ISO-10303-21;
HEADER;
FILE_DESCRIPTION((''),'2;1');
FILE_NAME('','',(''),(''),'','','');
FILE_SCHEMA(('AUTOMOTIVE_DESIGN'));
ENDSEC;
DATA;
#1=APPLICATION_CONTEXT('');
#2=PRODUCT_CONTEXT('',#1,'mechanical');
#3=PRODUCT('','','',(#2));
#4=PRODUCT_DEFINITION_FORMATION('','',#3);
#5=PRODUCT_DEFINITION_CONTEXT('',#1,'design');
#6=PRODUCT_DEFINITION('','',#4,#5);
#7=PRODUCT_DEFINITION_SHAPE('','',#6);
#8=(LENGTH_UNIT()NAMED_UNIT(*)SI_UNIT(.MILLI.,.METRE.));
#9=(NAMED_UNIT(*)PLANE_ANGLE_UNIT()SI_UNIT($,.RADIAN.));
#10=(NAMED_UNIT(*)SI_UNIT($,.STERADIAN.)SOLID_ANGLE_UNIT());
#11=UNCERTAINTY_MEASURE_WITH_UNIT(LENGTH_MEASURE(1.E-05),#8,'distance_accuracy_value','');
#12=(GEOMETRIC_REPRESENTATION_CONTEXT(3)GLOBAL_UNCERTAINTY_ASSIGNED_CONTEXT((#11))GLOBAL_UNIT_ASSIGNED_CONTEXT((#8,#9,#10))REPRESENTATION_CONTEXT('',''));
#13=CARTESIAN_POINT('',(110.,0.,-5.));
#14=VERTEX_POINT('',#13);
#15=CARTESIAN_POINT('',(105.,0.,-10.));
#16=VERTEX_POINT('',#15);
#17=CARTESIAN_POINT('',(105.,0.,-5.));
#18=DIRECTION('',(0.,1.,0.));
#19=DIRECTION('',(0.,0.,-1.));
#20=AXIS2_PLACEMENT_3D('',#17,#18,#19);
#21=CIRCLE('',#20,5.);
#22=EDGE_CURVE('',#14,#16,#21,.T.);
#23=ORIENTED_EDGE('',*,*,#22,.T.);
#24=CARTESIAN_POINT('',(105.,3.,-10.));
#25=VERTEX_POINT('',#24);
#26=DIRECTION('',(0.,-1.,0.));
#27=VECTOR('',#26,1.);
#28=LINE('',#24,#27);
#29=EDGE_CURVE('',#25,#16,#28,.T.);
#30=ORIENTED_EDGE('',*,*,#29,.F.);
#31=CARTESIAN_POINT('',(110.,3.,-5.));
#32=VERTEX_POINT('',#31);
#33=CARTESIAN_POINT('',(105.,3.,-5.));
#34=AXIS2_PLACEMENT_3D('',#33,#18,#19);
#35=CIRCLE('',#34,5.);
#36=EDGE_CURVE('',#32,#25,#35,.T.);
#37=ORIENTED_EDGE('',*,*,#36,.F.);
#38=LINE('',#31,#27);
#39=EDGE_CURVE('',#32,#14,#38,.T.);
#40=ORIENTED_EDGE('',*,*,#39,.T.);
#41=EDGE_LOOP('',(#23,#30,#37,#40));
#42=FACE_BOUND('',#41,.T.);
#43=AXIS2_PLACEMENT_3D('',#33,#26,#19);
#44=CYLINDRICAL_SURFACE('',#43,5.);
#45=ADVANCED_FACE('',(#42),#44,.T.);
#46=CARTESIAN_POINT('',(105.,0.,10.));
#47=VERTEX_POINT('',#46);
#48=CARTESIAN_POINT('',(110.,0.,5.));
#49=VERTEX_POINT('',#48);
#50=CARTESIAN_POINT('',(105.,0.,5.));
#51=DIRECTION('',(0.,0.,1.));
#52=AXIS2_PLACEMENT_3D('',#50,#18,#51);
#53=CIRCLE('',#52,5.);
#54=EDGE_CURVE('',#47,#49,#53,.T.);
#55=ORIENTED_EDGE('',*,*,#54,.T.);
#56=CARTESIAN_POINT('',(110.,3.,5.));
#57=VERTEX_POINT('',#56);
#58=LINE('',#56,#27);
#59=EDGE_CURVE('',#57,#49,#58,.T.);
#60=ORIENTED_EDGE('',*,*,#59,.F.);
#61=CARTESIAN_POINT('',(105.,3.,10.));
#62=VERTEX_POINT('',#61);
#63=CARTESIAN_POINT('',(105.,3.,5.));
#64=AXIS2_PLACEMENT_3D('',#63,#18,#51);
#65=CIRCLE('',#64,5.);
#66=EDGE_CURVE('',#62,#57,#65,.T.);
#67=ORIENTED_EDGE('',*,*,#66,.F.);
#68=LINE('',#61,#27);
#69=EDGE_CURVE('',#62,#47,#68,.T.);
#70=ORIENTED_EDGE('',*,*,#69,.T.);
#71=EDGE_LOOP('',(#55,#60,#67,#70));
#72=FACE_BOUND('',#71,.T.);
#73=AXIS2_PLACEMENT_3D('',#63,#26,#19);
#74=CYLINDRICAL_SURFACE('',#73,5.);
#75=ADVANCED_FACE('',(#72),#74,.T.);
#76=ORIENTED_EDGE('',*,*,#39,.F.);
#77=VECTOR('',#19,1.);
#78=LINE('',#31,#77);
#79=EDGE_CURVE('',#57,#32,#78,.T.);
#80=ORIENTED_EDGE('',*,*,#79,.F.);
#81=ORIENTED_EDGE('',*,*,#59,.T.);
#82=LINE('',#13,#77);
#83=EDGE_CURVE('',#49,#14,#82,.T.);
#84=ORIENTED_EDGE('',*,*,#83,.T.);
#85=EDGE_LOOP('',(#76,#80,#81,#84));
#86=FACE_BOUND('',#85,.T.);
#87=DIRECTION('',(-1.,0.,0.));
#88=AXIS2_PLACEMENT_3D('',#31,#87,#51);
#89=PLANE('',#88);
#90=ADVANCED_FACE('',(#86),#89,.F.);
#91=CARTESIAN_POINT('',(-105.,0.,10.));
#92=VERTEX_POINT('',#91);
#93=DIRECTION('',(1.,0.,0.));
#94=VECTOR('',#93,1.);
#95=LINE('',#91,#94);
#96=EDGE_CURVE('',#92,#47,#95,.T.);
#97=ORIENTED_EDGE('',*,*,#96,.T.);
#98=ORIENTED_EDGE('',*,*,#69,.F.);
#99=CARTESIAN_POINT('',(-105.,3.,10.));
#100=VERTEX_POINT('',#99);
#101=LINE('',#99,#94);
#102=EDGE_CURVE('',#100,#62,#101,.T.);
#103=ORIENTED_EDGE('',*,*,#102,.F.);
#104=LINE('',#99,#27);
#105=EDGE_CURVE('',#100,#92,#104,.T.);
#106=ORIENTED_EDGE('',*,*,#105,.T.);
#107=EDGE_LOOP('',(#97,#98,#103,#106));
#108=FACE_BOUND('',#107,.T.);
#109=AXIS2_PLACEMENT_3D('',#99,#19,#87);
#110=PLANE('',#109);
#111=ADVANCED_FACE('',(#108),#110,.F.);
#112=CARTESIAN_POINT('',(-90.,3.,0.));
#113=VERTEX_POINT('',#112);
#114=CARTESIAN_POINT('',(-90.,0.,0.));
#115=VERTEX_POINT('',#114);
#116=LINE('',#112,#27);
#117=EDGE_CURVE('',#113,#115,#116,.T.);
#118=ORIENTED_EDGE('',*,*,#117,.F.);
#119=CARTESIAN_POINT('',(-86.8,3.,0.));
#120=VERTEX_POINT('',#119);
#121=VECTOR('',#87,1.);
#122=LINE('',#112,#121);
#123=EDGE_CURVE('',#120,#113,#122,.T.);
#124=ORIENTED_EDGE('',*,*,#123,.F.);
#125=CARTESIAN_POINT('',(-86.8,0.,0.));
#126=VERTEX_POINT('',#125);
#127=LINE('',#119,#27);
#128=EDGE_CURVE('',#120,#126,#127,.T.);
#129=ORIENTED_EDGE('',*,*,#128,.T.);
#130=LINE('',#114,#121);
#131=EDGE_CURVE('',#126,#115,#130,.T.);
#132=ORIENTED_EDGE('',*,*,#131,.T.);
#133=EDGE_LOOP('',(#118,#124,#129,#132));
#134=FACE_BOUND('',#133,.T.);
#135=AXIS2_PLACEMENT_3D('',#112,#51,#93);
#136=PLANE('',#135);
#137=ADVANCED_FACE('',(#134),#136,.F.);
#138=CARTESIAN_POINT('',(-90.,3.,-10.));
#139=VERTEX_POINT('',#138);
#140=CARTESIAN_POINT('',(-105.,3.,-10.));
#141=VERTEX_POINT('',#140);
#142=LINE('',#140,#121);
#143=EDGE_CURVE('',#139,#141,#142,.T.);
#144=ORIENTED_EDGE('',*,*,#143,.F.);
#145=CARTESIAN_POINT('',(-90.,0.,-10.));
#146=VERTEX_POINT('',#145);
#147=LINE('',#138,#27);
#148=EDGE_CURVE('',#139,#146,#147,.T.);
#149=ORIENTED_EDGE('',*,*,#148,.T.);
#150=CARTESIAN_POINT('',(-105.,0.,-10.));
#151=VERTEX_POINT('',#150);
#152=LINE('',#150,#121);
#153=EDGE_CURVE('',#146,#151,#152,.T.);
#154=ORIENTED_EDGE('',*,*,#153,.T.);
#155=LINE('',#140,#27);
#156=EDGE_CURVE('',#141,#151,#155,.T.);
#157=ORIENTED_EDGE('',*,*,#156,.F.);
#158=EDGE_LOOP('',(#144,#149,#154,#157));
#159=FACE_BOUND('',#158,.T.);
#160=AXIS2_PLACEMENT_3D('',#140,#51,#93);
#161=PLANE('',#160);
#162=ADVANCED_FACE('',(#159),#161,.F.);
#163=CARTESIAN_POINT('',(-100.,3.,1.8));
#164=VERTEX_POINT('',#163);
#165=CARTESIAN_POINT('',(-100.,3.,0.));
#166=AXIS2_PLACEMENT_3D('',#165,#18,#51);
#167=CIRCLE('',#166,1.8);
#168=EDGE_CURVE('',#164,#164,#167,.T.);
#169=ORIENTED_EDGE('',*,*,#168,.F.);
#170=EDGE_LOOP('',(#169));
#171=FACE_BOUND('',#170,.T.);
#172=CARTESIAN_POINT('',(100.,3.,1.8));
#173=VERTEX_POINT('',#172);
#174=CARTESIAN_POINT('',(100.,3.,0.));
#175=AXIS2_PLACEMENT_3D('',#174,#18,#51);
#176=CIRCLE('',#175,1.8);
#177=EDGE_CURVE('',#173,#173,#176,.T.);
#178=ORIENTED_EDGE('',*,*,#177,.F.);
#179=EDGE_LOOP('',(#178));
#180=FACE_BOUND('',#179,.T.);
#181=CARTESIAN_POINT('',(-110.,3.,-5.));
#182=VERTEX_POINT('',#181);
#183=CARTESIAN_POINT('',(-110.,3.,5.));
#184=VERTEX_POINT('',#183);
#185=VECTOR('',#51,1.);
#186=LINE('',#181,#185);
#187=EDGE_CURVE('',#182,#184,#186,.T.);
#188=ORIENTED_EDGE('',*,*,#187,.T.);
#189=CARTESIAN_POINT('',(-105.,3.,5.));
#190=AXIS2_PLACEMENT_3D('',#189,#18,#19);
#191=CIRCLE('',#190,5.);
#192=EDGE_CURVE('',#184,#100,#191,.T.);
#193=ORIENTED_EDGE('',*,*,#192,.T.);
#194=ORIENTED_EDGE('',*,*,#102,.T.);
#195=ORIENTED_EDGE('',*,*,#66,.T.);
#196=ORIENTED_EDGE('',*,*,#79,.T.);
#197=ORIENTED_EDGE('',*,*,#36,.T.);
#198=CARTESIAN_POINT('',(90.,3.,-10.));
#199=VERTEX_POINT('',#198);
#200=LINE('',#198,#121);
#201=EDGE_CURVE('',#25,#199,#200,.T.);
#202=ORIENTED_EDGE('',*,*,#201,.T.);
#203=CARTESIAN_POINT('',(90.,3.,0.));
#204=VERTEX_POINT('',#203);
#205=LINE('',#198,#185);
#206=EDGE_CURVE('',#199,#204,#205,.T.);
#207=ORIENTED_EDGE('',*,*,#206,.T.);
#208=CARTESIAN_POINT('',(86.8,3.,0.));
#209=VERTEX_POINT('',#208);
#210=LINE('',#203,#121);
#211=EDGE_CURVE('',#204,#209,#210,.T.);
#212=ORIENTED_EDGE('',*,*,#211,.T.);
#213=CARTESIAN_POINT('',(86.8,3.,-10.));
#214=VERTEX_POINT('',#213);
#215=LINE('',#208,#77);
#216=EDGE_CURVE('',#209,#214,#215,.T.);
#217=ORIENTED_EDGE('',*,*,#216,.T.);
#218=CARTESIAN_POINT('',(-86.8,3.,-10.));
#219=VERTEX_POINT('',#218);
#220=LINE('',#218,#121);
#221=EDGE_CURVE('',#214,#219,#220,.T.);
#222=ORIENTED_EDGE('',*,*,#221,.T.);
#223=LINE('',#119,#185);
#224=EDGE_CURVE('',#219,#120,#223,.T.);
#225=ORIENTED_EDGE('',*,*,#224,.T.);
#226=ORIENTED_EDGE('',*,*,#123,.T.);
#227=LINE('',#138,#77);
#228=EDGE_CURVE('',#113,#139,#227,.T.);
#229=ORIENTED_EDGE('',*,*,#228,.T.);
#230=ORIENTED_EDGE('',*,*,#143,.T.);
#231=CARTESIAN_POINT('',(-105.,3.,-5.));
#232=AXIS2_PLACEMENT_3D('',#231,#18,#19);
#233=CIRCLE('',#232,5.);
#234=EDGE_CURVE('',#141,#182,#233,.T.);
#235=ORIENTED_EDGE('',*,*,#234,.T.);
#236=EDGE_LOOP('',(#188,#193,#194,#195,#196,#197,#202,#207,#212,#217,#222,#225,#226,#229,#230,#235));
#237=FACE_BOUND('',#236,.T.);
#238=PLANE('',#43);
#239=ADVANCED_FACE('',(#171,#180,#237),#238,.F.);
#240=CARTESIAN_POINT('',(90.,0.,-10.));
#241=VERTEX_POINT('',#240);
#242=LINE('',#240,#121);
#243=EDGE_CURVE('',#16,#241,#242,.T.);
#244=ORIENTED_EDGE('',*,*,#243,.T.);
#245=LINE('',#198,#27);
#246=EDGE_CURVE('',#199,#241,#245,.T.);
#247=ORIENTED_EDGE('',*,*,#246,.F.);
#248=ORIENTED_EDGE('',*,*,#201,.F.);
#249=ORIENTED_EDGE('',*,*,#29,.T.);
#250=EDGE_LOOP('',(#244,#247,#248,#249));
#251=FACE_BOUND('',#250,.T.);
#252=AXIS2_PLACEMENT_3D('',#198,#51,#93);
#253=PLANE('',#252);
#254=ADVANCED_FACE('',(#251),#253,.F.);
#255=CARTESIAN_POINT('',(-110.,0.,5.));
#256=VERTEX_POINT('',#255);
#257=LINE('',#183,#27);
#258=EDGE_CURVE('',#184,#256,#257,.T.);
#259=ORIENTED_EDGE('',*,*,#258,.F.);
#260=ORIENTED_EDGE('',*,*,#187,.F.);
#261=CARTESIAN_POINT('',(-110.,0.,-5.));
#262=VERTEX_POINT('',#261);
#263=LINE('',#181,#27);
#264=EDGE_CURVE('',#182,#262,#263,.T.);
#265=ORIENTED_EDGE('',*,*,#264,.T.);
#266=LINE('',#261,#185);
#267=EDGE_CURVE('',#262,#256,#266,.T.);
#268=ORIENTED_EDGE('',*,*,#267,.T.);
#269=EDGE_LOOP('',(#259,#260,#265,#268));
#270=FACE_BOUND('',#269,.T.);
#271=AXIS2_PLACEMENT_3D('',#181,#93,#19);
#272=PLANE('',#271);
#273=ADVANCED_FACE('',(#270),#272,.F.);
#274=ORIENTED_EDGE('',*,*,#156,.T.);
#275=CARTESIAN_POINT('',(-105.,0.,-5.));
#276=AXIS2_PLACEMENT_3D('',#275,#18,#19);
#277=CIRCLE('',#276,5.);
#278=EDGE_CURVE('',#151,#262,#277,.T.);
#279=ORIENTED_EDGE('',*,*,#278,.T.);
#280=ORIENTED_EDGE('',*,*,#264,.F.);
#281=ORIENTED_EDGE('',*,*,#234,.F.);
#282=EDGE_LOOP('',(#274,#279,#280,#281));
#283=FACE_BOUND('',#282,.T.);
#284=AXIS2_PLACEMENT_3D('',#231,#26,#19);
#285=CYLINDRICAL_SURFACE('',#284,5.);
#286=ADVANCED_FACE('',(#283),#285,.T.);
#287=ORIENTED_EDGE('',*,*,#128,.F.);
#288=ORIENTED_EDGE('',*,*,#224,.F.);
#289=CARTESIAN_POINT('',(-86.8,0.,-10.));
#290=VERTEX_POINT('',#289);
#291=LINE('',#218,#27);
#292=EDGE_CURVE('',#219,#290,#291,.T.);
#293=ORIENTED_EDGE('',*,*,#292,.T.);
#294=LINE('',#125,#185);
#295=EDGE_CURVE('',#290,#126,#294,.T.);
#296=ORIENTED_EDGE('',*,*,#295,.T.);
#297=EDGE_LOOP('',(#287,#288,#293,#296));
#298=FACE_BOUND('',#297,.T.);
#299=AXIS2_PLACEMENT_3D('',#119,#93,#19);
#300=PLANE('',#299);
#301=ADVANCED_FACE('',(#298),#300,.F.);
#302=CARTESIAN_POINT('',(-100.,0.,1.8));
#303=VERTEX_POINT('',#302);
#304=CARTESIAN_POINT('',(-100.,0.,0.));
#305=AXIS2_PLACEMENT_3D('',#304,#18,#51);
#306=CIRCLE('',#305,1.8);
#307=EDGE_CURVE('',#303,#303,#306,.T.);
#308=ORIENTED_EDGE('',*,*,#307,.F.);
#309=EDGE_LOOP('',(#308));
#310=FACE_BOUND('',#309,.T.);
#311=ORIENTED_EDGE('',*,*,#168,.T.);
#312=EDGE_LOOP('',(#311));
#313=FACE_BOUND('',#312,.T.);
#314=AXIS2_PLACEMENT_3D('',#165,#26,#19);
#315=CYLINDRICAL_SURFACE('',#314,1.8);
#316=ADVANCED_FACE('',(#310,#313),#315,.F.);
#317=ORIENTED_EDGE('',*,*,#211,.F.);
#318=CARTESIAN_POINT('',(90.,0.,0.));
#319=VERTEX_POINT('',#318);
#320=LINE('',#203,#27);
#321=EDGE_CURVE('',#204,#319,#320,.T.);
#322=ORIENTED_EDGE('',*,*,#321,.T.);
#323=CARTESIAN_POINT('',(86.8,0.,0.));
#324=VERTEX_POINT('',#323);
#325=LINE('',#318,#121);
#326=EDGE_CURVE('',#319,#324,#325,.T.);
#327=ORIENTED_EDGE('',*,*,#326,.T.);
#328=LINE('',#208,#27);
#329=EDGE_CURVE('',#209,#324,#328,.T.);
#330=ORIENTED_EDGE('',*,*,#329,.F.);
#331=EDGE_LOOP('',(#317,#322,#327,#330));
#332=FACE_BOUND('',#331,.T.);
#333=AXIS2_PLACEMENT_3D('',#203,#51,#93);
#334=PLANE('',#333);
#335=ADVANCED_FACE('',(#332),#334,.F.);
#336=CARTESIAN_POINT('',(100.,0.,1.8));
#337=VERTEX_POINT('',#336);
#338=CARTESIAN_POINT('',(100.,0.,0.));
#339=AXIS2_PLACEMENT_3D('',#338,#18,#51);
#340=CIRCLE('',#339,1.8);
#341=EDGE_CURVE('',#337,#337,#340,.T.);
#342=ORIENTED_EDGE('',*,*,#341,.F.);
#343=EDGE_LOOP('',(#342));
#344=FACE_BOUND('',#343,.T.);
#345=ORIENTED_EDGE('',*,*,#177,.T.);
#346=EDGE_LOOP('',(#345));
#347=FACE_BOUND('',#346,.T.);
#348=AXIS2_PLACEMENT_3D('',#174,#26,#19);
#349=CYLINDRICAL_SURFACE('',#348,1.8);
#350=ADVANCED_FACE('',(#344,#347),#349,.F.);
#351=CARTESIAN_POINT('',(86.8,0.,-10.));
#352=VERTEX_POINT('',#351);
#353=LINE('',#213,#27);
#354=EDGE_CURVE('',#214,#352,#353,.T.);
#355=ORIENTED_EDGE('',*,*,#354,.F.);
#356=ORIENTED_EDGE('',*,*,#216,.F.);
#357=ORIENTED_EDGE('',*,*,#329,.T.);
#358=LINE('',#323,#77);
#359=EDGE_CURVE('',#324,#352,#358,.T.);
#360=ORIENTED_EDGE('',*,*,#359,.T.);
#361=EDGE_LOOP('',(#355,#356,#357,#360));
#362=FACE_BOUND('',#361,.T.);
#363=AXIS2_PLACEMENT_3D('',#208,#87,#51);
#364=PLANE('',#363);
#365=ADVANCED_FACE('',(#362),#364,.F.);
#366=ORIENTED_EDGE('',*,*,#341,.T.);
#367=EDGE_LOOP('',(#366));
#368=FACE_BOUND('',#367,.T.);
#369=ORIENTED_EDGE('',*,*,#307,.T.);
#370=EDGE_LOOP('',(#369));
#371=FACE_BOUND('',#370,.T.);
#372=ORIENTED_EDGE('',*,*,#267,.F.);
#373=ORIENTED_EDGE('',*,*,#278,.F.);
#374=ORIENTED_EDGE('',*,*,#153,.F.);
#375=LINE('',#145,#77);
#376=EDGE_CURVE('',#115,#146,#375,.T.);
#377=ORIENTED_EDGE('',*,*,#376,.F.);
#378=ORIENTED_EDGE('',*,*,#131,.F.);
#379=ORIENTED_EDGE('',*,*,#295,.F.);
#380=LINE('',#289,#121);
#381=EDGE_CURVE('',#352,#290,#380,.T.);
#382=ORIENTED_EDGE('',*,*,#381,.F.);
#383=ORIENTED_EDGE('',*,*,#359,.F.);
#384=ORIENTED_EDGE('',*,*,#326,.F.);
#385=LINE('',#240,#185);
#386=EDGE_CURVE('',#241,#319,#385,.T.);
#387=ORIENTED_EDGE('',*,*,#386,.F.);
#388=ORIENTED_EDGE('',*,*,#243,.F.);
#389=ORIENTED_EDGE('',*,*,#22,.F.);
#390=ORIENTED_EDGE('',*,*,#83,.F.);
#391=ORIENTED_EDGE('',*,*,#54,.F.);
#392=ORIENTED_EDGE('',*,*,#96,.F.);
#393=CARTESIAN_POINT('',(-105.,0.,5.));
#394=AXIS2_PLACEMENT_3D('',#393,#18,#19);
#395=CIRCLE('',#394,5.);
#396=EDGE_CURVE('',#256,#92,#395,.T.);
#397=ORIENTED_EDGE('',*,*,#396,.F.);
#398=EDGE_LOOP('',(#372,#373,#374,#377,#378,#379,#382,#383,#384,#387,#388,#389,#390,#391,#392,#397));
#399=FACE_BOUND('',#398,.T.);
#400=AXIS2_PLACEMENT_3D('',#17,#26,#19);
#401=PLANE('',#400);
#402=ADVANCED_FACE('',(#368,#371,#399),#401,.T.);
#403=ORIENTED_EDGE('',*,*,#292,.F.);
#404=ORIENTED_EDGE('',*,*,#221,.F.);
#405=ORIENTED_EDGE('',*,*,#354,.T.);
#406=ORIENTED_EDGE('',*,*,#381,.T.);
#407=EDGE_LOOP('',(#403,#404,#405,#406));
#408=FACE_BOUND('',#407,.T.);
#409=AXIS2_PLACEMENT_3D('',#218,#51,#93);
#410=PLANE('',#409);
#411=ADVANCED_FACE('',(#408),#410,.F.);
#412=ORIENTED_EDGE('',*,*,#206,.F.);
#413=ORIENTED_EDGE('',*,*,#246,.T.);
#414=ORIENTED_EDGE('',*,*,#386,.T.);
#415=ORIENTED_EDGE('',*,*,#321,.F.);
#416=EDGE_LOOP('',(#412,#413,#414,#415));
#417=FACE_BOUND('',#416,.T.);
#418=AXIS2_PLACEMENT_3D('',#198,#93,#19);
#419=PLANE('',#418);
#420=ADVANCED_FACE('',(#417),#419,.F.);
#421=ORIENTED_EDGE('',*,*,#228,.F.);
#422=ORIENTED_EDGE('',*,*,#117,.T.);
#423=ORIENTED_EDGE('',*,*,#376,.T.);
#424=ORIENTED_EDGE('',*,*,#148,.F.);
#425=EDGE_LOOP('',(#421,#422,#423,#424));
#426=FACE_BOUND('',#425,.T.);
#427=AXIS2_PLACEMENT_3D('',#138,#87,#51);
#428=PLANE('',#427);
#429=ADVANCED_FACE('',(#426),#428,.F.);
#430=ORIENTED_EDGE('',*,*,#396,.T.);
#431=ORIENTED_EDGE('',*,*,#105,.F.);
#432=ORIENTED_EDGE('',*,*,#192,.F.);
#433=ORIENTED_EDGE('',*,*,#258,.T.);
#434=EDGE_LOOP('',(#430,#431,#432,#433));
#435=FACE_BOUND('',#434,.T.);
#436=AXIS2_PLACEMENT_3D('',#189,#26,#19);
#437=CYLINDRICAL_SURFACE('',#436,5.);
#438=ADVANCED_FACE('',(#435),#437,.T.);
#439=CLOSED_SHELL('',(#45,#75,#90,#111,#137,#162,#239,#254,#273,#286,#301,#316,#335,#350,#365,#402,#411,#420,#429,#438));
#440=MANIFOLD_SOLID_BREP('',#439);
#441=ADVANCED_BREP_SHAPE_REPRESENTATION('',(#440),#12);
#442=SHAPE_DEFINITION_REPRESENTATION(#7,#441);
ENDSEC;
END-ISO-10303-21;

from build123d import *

# Parameters (mm, degrees)
SKETCH_1_R      = 1.8
EXTRUDE_1_DEPTH = 3


with BuildPart() as part:
    # 草图1 → 凸台-拉伸1 (new body)
    with BuildSketch(Plane(origin=(0, 0, 0), x_dir=(1, 0, 0), z_dir=(0, 1, 0))):
        with BuildLine():
            Line((-90, 10), (-90, 0))
            Line((-90, 0), (-86.8, 0))
            Line((-86.8, 0), (-86.8, 10))
            Line((-86.8, 10), (86.8, 10))
            Line((86.8, 10), (86.8, 0))
            Line((86.8, 0), (90, 0))
            Line((90, 0), (90, 10))
            Line((90, 10), (105, 10))
            ThreePointArc((105, 10), (108.535533906, 8.535533906), (110, 5))
            Line((110, 5), (110, -5))
            ThreePointArc((110, -5), (108.535533906, -8.535533906), (105, -10))
            Line((105, -10), (-105, -10))
            ThreePointArc((-105, -10), (-108.535533906, -8.535533906), (-110, -5))
            Line((-110, -5), (-110, 5))
            ThreePointArc((-110, 5), (-108.535533906, 8.535533906), (-105, 10))
            Line((-105, 10), (-90, 10))
        make_face()
        with Locations(Location((-100, 0, 0), (0, 0, 270))):
            Circle(SKETCH_1_R, mode=Mode.SUBTRACT)
        with Locations(Location((100, 0, 0), (0, 0, 270))):
            Circle(SKETCH_1_R, mode=Mode.SUBTRACT)
    extrude(amount=EXTRUDE_1_DEPTH)


solid = part.part
